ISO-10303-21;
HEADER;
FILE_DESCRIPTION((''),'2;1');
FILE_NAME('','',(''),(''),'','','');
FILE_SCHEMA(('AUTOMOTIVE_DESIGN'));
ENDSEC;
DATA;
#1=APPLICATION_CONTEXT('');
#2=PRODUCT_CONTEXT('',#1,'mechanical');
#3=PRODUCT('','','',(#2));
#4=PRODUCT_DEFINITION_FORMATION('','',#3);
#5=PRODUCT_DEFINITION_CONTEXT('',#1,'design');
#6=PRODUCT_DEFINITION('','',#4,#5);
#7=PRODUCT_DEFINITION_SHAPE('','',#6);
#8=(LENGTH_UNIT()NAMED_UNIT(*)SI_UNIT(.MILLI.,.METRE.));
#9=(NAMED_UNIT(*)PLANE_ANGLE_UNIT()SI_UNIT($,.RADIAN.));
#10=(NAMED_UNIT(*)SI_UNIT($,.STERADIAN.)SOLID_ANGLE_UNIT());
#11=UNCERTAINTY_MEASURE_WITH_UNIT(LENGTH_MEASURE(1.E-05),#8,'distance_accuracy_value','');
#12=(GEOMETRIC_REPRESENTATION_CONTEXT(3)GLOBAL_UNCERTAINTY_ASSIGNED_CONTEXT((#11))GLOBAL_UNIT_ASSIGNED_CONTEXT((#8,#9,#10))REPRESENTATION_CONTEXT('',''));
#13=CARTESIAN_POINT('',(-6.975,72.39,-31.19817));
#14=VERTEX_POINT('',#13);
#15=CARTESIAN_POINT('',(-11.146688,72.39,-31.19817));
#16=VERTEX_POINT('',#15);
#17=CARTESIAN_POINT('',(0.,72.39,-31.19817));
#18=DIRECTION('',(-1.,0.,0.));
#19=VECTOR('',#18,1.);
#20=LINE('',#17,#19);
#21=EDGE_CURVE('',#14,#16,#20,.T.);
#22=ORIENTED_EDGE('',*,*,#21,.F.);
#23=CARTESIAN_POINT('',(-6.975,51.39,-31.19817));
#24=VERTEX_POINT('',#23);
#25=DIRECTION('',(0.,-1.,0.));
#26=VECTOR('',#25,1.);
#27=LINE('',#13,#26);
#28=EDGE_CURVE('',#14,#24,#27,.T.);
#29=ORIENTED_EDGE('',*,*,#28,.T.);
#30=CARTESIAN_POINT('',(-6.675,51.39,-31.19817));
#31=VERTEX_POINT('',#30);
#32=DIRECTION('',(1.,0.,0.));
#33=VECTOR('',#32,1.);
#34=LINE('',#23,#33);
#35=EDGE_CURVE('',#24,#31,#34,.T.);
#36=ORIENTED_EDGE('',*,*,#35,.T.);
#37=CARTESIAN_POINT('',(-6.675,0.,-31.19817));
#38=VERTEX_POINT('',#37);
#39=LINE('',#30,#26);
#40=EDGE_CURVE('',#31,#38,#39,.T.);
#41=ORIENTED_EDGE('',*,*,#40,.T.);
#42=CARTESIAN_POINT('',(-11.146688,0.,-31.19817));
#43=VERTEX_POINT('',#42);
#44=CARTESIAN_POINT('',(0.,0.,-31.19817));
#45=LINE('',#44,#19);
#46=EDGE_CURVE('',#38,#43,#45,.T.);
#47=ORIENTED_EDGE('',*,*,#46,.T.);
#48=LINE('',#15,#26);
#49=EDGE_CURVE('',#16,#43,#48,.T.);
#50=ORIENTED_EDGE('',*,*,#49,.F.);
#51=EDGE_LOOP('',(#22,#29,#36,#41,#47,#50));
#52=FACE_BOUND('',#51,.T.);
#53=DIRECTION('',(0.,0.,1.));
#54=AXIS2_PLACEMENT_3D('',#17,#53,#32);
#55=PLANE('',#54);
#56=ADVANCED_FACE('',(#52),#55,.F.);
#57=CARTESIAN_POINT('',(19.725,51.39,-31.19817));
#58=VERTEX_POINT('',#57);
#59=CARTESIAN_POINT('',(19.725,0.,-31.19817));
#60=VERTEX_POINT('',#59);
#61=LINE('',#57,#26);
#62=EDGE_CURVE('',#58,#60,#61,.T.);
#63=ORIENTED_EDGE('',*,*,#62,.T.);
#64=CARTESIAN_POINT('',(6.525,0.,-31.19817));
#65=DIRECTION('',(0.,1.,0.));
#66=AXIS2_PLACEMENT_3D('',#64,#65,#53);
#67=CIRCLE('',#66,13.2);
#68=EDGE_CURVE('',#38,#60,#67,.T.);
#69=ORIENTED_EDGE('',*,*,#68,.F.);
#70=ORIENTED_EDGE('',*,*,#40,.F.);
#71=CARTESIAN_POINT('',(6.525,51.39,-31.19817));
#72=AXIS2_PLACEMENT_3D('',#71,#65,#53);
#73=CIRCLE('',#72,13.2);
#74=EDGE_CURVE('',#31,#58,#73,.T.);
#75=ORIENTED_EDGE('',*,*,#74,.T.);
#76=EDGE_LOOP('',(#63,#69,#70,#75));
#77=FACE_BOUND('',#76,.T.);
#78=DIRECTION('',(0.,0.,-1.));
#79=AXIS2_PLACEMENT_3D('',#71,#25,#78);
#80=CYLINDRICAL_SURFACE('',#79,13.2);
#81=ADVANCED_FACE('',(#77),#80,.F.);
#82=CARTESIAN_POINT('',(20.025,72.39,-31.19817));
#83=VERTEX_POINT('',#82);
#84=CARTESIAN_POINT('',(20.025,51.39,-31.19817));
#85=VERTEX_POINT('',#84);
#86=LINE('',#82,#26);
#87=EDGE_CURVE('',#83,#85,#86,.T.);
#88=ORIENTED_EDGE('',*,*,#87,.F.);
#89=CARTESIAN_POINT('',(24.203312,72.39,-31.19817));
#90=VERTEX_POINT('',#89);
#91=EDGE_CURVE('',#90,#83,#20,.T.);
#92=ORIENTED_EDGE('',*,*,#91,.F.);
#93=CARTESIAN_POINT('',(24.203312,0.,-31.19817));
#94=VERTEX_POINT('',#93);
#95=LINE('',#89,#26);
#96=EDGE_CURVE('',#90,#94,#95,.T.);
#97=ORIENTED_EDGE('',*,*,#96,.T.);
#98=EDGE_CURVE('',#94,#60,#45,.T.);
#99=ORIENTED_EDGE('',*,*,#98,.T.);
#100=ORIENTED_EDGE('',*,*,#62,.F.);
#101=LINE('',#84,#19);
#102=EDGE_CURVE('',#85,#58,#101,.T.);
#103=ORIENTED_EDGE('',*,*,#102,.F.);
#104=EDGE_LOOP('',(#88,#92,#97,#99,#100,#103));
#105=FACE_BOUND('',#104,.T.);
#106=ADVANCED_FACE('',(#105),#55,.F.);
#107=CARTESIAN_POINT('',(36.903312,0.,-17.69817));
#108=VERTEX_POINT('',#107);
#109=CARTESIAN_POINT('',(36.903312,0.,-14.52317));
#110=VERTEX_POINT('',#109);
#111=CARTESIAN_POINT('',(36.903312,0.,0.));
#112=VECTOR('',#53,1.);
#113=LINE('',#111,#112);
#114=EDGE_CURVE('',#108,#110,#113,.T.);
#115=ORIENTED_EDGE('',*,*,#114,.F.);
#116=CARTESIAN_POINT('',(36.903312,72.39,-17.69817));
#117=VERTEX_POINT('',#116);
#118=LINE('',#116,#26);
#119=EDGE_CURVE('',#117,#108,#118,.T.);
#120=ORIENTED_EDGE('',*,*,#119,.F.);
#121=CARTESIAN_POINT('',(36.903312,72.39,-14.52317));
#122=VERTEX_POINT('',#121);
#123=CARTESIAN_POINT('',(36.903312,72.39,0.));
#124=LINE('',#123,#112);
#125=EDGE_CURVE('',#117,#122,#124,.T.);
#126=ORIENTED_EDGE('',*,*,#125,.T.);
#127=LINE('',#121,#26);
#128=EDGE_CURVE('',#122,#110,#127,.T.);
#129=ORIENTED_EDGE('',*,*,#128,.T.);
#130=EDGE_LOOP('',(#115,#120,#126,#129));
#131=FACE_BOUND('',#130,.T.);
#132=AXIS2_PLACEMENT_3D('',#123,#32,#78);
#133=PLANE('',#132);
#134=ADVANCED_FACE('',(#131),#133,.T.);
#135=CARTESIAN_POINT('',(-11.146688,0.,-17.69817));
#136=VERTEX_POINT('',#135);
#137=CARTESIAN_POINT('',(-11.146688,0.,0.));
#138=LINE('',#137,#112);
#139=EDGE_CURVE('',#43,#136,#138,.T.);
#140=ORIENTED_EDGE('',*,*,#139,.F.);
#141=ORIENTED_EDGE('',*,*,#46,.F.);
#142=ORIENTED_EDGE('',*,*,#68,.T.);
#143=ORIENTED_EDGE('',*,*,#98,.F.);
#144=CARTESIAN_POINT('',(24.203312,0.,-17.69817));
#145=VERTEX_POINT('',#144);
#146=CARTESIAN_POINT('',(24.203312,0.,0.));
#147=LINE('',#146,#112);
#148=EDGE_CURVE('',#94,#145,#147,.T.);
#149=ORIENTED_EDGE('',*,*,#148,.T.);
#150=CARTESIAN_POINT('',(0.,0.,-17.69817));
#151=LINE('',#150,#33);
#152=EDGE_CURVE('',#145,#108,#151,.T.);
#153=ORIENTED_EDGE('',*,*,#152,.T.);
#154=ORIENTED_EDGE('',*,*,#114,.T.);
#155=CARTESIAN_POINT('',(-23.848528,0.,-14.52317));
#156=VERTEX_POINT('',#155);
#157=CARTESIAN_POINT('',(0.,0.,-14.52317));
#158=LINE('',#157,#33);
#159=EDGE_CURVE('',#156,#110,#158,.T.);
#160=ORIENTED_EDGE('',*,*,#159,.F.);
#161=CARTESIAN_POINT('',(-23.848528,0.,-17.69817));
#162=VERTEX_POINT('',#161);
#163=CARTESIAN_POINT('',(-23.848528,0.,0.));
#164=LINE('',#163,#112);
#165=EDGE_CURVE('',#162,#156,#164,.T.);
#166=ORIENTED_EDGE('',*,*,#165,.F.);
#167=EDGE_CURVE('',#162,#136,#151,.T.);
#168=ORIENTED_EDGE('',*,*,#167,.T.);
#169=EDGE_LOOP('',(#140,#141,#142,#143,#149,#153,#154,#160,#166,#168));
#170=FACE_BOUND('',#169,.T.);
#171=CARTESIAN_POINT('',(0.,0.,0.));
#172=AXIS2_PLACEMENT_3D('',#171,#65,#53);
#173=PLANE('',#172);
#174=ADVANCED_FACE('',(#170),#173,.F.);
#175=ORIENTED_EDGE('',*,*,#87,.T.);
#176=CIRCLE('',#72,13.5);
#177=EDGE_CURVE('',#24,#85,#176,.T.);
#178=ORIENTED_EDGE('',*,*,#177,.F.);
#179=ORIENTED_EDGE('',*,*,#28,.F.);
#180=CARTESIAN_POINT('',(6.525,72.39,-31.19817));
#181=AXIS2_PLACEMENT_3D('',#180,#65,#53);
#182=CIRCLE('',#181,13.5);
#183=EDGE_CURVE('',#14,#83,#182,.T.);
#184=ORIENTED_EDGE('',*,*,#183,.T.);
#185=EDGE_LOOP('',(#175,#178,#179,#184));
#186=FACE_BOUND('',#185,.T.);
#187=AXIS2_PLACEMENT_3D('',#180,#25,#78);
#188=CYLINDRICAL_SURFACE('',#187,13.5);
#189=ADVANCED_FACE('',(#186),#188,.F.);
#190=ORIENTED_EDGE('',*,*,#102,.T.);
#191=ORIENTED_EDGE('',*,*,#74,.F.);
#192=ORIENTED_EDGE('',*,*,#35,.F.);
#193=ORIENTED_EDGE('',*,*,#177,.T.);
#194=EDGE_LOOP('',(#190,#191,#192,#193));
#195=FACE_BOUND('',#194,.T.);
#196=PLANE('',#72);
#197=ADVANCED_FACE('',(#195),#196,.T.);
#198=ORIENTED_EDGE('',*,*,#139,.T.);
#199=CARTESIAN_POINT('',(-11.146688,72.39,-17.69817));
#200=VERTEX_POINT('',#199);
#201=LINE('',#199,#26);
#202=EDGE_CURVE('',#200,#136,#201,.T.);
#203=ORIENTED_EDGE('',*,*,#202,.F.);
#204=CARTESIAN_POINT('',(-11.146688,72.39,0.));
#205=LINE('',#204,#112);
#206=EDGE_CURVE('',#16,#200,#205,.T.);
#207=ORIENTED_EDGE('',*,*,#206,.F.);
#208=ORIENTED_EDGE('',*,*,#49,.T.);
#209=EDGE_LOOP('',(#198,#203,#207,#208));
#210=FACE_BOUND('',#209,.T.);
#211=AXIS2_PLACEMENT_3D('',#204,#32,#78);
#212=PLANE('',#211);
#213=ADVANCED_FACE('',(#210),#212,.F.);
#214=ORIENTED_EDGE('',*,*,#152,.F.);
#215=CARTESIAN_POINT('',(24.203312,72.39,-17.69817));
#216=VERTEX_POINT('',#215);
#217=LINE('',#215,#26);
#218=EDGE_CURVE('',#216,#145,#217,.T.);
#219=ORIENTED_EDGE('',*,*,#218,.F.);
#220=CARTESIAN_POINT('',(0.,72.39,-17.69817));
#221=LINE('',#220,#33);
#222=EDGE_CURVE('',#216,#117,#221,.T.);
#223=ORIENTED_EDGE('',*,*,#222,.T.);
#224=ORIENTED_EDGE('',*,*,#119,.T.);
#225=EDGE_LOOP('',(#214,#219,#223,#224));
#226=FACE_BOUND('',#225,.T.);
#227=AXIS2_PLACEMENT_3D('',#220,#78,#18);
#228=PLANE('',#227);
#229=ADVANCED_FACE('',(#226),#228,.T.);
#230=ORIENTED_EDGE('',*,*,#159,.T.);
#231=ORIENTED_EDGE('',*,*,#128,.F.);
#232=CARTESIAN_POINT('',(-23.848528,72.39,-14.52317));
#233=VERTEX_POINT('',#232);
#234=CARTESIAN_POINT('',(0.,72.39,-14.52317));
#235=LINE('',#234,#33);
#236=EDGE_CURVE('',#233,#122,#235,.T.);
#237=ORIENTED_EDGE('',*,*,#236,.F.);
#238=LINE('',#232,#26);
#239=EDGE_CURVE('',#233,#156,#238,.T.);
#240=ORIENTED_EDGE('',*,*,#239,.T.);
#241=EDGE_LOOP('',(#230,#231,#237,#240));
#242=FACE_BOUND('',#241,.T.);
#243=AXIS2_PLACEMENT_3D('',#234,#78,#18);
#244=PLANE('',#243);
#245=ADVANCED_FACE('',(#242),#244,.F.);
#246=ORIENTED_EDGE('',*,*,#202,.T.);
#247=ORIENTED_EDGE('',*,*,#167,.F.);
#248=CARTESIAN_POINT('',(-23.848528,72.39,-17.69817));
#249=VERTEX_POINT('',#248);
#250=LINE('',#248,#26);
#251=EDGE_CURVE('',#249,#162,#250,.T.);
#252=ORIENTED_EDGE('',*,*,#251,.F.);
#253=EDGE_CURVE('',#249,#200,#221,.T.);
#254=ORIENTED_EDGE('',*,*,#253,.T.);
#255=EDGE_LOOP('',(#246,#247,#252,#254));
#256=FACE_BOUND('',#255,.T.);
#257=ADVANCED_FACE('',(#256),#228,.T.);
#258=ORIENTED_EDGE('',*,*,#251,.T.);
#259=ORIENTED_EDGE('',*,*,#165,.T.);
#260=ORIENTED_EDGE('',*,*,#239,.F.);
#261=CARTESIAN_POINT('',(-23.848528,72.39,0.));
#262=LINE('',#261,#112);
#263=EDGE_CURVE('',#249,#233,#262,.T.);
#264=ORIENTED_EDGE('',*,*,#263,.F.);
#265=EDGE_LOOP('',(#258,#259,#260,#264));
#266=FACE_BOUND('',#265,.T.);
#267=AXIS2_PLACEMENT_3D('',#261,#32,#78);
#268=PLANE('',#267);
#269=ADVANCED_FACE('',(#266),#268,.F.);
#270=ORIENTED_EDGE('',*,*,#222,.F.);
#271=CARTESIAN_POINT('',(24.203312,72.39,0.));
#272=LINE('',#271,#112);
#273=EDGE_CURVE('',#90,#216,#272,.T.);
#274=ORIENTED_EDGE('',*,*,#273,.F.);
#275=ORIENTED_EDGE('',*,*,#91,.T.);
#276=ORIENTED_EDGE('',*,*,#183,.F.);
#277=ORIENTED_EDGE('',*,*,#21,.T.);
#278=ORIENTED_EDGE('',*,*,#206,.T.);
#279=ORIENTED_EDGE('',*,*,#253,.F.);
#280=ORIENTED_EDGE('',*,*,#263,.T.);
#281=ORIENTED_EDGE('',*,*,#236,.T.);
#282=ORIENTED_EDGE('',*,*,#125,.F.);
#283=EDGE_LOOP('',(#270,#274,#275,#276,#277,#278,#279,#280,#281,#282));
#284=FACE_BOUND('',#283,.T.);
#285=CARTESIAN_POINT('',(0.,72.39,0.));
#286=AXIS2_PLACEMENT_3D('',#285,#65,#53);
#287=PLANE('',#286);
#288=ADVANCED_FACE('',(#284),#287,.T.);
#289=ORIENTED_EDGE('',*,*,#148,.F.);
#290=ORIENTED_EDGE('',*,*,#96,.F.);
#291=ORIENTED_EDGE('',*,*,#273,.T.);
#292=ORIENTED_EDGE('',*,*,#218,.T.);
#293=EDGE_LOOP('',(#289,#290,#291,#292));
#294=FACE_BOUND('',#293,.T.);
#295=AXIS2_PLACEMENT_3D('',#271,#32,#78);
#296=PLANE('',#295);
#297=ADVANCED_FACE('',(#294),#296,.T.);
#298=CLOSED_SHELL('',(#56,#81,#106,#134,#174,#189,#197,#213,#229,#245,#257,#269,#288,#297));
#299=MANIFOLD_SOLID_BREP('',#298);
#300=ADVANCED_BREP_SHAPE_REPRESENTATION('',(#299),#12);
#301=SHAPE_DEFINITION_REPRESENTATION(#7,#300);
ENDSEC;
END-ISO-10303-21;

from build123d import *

# Parameters (mm, degrees)
BOSS_EXTRUDE3_DEPTH = 72.39
BOSS_EXTRUDE4_DEPTH = 51.39


with BuildPart() as part:
    # Sketch1 → Boss-Extrude3 (new body)
    with BuildSketch(Plane(origin=(0, 0, 0), x_dir=(1, 0, 0), z_dir=(0, 1, 0))):
        with BuildLine():
            Line((-11.1466884, 17.698170271), (-23.8485284, 17.698170271))
            Line((-23.8485284, 17.698170271), (-23.8485284, 14.523170271))
            Line((-23.8485284, 14.523170271), (36.9033116, 14.523170271))
            Line((36.9033116, 14.523170271), (36.9033116, 17.698170271))
            Line((36.9033116, 17.698170271), (24.2033116, 17.698170271))
            Line((24.2033116, 17.698170271), (24.2033116, 31.198170271))
            Line((24.2033116, 31.198170271), (20.025, 31.198170271))
            ThreePointArc((20.025, 31.198170271), (6.525, 17.69817027), (-6.975, 31.198170271))
            Line((-6.975, 31.198170271), (-11.1466884, 31.198170271))
            Line((-11.1466884, 31.198170271), (-11.1466884, 17.698170271))
        make_face()
    extrude(amount=BOSS_EXTRUDE3_DEPTH)

    # Sketch1<13> → Boss-Extrude4 (add)
    with BuildSketch(Plane(origin=(0, 0, 0), x_dir=(1, 0, 0), z_dir=(0, 1, 0))):
        with BuildLine():
            Line((-6.975, 31.198170271), (-6.675, 31.198170271))
            ThreePointArc((-6.675, 31.198170271), (6.525, 17.99817027), (19.725, 31.198170271))
            Line((19.725, 31.198170271), (20.025, 31.198170271))
            ThreePointArc((20.025, 31.198170271), (6.525, 17.69817027), (-6.975, 31.198170271))
        make_face()
    extrude(amount=BOSS_EXTRUDE4_DEPTH)


solid = part.part
